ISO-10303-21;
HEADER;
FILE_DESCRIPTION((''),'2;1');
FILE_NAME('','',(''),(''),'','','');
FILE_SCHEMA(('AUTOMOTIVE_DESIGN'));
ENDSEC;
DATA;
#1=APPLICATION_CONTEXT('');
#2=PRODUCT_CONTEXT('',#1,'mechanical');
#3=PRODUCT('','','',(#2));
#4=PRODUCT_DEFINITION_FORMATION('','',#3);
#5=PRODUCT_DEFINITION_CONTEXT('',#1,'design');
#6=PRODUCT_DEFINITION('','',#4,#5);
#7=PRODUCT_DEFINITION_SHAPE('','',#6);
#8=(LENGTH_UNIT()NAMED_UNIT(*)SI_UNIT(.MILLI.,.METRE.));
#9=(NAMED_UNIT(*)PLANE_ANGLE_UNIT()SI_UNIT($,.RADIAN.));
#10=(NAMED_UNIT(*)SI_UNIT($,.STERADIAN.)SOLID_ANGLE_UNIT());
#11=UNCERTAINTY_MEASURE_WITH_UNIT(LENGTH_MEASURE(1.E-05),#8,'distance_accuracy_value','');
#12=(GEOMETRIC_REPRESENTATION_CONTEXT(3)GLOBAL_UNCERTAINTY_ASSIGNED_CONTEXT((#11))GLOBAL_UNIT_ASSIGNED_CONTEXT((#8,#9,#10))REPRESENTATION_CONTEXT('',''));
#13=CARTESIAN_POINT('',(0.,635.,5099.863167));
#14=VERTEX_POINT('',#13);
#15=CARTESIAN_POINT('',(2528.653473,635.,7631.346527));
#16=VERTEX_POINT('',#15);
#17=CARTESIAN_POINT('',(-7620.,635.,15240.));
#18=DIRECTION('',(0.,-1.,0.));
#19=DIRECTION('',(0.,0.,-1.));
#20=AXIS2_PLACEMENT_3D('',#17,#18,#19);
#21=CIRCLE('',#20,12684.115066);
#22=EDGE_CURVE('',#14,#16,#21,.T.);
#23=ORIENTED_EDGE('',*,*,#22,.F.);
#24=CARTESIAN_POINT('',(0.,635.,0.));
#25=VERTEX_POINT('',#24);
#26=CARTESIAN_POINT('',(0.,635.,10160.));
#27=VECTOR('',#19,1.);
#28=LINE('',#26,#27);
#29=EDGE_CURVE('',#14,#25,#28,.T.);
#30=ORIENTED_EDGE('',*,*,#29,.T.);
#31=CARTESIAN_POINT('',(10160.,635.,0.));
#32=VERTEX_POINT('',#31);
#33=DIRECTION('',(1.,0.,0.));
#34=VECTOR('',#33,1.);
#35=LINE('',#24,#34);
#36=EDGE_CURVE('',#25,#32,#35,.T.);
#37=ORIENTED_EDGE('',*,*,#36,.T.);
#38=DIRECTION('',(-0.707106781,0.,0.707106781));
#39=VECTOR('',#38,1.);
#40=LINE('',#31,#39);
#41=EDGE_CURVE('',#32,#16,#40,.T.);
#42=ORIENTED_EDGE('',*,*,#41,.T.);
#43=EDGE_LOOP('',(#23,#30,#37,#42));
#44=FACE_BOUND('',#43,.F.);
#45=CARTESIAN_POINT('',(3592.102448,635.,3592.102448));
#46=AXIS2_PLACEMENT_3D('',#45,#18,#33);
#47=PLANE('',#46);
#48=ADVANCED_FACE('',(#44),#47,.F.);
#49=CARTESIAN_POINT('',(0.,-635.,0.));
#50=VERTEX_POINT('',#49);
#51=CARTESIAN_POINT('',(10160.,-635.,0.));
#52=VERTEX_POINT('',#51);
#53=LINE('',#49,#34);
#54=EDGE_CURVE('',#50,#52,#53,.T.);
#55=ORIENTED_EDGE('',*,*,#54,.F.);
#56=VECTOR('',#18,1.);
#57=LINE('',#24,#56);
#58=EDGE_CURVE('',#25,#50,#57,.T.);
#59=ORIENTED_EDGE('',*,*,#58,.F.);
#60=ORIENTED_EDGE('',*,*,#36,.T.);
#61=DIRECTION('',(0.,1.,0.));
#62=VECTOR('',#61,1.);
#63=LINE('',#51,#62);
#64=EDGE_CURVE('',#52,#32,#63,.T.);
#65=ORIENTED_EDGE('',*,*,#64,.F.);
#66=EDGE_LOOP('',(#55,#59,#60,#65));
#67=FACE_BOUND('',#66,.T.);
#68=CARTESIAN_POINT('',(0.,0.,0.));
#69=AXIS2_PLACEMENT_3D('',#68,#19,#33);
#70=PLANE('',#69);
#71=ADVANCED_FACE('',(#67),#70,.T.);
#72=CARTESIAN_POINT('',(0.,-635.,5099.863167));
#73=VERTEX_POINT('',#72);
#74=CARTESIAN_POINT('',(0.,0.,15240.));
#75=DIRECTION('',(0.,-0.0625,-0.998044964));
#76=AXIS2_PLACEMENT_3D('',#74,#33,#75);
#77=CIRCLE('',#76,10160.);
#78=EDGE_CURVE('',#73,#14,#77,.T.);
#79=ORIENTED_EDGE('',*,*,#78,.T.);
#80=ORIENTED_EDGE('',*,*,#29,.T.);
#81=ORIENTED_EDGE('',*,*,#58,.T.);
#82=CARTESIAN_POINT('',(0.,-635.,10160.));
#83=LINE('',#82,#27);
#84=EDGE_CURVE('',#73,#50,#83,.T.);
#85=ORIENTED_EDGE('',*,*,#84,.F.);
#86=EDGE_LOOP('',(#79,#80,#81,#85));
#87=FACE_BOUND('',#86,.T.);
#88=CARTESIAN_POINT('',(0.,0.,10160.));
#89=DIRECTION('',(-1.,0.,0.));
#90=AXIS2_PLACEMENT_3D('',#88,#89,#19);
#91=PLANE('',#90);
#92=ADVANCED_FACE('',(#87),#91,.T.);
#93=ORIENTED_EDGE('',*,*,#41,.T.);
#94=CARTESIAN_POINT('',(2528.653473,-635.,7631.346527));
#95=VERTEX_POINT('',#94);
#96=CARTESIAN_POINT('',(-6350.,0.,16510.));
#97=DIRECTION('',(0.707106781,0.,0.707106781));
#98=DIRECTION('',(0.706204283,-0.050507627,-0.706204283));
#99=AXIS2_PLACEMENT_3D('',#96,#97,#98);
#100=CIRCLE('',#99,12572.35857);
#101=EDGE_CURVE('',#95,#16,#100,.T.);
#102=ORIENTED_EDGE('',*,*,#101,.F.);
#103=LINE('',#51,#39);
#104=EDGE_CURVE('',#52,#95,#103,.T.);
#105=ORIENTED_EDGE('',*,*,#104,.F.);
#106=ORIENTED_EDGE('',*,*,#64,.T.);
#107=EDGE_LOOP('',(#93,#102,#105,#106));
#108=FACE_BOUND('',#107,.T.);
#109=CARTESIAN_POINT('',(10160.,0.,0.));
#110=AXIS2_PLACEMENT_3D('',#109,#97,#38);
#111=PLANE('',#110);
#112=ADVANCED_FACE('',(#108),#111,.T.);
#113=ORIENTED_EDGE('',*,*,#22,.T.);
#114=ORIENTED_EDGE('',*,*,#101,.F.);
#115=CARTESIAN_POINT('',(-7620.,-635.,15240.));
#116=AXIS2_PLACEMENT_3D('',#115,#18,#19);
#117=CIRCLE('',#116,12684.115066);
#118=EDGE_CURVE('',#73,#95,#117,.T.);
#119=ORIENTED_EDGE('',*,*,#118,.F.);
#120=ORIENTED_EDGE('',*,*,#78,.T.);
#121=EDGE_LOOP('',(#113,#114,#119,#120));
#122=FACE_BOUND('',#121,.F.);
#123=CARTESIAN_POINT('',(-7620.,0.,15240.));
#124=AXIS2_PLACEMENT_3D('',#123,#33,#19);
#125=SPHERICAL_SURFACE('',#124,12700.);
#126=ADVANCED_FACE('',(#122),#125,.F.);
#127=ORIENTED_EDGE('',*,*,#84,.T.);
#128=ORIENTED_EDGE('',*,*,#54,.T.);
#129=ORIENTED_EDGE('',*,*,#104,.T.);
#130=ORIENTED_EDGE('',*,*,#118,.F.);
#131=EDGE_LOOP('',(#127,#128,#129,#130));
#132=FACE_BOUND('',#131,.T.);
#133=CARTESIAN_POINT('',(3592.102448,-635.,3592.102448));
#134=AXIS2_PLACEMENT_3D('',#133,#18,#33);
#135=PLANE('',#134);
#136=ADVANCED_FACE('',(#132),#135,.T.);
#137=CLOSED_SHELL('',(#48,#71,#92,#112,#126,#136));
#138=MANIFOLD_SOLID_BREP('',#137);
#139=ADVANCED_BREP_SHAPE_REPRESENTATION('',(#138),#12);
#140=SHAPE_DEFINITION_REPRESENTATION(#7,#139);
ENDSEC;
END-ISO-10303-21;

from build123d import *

# Parameters (mm, degrees)
F1_DEPTH = 635


with BuildPart() as f1:
    # F0 (on Front) → F1 (new body, symmetric)
    with BuildSketch(Plane.XZ):
        Polygon((0, 10160), (0, 0), (10160, 0), align=None)
    extrude(amount=F1_DEPTH, both=True)

    # F2 (on Front) → F3 (revolve, cut)
    with BuildSketch(Plane.XZ):
        with BuildLine():
            Line((5080, 15240), (-20320, 15240))
            ThreePointArc((-20320, 15240), (-7620, 2540), (5080, 15240))
        make_face()
    revolve(axis=Axis((3003.04884, 0, 15240), (1, 0, 0)), mode=Mode.SUBTRACT)


solid = f1.part
